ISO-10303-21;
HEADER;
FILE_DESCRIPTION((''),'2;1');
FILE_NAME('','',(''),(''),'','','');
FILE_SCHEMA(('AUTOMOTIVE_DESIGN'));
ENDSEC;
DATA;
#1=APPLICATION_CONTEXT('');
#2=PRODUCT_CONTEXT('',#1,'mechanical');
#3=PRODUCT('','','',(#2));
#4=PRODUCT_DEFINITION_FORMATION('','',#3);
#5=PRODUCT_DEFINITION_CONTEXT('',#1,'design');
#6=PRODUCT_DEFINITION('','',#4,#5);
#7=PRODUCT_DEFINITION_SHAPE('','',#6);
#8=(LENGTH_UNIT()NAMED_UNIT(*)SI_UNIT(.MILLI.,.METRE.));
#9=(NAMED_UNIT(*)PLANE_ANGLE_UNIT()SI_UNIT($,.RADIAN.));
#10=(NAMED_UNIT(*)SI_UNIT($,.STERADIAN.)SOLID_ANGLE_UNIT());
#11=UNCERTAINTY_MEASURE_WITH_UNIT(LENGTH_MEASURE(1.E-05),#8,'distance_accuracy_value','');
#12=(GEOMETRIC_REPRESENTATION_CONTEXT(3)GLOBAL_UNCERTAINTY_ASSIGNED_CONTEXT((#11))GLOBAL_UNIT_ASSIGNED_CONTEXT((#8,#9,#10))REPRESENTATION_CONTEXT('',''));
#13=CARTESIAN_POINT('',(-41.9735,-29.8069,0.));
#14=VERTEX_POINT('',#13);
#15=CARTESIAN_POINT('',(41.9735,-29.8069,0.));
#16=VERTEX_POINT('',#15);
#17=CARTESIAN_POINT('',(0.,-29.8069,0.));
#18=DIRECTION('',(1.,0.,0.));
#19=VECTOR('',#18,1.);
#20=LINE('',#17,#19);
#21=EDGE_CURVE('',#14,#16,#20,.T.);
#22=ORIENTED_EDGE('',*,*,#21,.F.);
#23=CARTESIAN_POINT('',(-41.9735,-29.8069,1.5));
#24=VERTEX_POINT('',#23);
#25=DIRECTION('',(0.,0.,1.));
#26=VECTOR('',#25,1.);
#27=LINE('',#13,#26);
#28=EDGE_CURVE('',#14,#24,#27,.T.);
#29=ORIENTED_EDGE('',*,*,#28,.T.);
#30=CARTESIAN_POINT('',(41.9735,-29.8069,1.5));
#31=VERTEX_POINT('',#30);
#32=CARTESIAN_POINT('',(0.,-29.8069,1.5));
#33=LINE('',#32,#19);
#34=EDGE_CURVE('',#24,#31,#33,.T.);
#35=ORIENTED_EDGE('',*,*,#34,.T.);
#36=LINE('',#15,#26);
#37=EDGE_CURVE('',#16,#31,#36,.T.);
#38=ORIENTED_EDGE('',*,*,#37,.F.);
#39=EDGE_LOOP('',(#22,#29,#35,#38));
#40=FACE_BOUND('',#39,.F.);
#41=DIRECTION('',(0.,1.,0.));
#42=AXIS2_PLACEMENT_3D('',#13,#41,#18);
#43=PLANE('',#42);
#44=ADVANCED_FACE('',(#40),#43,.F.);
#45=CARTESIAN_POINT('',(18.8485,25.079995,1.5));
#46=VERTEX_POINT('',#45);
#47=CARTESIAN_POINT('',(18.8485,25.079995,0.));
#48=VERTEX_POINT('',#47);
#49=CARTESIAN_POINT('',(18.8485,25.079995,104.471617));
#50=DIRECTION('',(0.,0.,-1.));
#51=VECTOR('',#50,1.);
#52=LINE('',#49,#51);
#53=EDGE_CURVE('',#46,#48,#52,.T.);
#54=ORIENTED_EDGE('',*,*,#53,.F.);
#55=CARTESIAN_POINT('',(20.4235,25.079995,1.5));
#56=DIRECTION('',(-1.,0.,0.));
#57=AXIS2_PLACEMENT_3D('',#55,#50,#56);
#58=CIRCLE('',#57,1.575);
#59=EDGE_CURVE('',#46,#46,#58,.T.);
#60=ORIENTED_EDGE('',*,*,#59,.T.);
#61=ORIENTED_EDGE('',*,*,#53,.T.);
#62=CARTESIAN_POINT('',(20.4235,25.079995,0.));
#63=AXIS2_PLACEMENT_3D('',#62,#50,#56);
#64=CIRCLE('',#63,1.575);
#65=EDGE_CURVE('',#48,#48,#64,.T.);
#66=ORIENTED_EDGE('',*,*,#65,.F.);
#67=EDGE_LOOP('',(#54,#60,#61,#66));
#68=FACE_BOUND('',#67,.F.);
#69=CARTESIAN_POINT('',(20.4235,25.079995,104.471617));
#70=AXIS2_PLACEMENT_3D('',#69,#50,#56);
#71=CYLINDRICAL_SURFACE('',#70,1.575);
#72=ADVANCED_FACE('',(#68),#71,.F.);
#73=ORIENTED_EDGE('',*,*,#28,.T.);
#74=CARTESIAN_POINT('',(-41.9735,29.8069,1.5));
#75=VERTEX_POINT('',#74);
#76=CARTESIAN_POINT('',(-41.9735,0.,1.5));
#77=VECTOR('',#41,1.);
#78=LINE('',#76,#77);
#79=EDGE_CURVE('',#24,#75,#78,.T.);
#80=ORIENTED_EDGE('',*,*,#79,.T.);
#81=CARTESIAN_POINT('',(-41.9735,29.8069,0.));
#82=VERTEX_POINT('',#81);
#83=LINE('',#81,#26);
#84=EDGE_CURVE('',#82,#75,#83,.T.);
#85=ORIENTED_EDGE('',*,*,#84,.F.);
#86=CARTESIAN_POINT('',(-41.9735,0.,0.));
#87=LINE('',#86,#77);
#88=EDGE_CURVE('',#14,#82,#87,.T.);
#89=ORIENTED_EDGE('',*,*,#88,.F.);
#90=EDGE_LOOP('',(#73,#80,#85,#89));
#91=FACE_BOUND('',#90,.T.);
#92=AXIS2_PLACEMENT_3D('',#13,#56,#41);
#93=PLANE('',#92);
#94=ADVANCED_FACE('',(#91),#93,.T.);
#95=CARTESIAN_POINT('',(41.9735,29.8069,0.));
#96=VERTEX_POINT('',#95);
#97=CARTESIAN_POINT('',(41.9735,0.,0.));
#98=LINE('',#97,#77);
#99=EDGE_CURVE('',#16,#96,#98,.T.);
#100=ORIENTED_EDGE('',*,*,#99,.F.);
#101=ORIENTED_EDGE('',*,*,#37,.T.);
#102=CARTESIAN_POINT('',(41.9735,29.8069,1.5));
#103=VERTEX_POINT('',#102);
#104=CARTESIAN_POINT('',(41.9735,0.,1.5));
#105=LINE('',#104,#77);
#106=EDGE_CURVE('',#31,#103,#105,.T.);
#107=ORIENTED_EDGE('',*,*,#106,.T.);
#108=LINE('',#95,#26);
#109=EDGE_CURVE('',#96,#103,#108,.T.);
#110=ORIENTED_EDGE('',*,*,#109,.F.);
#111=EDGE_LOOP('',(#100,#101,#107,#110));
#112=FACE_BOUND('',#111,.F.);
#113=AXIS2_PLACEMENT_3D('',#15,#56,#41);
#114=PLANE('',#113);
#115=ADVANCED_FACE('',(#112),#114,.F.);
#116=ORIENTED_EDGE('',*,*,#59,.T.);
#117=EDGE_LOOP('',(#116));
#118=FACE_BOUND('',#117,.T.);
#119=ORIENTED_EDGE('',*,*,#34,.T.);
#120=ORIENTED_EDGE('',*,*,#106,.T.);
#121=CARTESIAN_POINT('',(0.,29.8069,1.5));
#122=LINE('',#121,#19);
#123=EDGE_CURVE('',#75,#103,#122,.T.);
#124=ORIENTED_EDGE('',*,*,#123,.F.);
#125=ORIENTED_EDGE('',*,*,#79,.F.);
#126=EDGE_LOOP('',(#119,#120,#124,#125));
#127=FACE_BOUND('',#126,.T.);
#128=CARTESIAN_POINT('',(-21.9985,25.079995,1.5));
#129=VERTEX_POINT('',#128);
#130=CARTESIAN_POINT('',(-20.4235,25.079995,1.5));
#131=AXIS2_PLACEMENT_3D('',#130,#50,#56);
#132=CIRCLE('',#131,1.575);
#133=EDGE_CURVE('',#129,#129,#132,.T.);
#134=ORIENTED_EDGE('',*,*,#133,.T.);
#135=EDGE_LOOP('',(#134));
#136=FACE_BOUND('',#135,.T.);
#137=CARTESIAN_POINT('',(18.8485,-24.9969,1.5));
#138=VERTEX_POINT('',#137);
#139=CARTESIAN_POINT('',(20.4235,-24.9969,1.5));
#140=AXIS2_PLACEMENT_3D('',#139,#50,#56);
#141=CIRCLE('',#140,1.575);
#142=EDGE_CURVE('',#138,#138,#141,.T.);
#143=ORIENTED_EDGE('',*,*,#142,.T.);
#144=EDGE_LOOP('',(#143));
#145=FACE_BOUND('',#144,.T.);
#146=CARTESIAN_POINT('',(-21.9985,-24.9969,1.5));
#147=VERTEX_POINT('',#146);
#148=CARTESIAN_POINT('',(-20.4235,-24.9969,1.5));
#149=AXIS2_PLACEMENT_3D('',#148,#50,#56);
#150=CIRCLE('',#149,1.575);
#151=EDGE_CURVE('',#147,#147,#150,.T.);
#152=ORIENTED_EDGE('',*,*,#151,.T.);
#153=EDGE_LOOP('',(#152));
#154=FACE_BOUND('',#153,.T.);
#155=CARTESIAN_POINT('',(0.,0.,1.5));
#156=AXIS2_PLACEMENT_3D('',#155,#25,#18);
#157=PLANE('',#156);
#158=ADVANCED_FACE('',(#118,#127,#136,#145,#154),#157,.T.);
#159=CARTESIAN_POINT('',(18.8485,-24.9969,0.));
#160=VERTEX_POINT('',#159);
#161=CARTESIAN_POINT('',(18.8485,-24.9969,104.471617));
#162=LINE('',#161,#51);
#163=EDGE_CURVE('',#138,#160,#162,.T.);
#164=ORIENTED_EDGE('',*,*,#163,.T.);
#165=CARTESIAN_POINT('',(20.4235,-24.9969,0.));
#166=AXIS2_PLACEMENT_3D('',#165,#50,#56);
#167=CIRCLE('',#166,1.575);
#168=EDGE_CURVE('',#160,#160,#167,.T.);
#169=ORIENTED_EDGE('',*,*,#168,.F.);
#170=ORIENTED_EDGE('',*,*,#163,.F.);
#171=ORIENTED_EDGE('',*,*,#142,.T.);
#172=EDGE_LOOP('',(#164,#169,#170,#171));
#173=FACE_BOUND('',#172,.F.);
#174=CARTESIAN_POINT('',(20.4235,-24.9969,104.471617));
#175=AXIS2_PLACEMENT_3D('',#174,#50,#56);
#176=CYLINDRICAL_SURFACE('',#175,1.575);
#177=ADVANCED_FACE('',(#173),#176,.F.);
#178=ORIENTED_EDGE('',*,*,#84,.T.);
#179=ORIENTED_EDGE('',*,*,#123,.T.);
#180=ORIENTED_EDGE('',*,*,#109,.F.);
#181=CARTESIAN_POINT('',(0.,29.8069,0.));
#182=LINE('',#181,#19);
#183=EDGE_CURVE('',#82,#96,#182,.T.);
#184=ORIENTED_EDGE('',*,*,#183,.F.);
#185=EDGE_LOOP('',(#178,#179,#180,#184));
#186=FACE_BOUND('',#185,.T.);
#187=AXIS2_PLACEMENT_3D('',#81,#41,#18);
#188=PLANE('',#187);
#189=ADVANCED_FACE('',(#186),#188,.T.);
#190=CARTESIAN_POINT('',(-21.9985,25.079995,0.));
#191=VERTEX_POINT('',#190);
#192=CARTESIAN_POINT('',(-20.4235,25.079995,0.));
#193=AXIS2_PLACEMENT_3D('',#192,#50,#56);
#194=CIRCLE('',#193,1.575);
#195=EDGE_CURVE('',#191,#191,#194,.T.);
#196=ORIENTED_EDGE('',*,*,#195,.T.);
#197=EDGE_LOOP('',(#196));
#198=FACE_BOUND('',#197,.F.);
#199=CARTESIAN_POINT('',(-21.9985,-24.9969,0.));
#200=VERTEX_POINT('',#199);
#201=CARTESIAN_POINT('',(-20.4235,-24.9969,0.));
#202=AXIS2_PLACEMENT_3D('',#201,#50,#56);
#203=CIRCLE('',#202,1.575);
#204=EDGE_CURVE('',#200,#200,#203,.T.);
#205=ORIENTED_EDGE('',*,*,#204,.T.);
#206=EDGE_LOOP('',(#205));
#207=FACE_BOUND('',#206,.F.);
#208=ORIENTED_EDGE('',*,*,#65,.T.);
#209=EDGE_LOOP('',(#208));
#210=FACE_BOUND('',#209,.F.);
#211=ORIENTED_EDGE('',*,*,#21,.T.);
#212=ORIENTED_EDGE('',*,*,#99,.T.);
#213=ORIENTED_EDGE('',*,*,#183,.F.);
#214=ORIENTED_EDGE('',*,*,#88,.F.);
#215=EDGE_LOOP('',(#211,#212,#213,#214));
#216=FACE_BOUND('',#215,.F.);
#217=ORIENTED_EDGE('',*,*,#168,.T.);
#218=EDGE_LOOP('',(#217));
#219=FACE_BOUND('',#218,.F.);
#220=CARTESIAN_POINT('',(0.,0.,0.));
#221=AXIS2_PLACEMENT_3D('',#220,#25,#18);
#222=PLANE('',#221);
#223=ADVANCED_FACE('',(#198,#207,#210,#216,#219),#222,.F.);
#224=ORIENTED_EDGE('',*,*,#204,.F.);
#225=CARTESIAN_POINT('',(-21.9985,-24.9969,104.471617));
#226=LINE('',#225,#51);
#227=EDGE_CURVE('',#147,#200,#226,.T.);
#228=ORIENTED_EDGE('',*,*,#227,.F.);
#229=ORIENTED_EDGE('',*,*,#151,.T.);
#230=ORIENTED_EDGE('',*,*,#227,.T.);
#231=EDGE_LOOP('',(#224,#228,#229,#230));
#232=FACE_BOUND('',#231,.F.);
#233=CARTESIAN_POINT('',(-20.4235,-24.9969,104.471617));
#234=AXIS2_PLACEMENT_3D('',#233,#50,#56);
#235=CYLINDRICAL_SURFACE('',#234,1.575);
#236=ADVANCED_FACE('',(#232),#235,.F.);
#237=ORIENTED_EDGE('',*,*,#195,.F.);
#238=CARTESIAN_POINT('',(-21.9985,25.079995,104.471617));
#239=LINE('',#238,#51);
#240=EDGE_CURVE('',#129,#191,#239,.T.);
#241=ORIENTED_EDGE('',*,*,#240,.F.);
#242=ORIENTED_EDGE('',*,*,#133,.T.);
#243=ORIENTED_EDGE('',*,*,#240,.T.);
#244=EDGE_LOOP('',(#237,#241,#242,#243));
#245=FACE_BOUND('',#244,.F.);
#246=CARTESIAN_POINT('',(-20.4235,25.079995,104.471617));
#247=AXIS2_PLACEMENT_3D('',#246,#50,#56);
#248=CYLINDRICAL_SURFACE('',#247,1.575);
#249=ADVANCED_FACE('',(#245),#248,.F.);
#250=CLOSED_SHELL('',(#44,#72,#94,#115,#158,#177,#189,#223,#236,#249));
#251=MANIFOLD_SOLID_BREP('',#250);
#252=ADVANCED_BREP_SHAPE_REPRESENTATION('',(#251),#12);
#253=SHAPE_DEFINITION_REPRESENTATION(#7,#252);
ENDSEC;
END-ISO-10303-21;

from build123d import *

# Parameters (mm, degrees)
F0_W     = 83.947
F0_H     = 59.6138
F1_DEPTH = 1.5
F3_D     = 3.15
F4_D     = 3.15
F5_D     = 3.15
F6_D     = 3.15


with BuildPart() as f1:
    # F0 (on Top) → F1 (new body)
    with BuildSketch(Plane.XY):
        Rectangle(F0_W, F0_H)
    extrude(amount=F1_DEPTH)

    # F3 (through all)
    with Locations(Plane.XY.offset(1.5)):
        with Locations((-20.4235, -24.9969)):
            Hole(F3_D / 2)

    # F4 (through all)
    with Locations(Plane.XY.offset(1.5)):
        with Locations((20.4235, -24.9969)):
            Hole(F4_D / 2)

    # F5 (through all)
    with Locations(Plane.XY.offset(1.5)):
        with Locations((-20.4235, 25.0799947721)):
            Hole(F5_D / 2)

    # F6 (through all)
    with Locations(Plane.XY.offset(1.5)):
        with Locations((20.4235, 25.0799947721)):
            Hole(F6_D / 2)


solid = f1.part
